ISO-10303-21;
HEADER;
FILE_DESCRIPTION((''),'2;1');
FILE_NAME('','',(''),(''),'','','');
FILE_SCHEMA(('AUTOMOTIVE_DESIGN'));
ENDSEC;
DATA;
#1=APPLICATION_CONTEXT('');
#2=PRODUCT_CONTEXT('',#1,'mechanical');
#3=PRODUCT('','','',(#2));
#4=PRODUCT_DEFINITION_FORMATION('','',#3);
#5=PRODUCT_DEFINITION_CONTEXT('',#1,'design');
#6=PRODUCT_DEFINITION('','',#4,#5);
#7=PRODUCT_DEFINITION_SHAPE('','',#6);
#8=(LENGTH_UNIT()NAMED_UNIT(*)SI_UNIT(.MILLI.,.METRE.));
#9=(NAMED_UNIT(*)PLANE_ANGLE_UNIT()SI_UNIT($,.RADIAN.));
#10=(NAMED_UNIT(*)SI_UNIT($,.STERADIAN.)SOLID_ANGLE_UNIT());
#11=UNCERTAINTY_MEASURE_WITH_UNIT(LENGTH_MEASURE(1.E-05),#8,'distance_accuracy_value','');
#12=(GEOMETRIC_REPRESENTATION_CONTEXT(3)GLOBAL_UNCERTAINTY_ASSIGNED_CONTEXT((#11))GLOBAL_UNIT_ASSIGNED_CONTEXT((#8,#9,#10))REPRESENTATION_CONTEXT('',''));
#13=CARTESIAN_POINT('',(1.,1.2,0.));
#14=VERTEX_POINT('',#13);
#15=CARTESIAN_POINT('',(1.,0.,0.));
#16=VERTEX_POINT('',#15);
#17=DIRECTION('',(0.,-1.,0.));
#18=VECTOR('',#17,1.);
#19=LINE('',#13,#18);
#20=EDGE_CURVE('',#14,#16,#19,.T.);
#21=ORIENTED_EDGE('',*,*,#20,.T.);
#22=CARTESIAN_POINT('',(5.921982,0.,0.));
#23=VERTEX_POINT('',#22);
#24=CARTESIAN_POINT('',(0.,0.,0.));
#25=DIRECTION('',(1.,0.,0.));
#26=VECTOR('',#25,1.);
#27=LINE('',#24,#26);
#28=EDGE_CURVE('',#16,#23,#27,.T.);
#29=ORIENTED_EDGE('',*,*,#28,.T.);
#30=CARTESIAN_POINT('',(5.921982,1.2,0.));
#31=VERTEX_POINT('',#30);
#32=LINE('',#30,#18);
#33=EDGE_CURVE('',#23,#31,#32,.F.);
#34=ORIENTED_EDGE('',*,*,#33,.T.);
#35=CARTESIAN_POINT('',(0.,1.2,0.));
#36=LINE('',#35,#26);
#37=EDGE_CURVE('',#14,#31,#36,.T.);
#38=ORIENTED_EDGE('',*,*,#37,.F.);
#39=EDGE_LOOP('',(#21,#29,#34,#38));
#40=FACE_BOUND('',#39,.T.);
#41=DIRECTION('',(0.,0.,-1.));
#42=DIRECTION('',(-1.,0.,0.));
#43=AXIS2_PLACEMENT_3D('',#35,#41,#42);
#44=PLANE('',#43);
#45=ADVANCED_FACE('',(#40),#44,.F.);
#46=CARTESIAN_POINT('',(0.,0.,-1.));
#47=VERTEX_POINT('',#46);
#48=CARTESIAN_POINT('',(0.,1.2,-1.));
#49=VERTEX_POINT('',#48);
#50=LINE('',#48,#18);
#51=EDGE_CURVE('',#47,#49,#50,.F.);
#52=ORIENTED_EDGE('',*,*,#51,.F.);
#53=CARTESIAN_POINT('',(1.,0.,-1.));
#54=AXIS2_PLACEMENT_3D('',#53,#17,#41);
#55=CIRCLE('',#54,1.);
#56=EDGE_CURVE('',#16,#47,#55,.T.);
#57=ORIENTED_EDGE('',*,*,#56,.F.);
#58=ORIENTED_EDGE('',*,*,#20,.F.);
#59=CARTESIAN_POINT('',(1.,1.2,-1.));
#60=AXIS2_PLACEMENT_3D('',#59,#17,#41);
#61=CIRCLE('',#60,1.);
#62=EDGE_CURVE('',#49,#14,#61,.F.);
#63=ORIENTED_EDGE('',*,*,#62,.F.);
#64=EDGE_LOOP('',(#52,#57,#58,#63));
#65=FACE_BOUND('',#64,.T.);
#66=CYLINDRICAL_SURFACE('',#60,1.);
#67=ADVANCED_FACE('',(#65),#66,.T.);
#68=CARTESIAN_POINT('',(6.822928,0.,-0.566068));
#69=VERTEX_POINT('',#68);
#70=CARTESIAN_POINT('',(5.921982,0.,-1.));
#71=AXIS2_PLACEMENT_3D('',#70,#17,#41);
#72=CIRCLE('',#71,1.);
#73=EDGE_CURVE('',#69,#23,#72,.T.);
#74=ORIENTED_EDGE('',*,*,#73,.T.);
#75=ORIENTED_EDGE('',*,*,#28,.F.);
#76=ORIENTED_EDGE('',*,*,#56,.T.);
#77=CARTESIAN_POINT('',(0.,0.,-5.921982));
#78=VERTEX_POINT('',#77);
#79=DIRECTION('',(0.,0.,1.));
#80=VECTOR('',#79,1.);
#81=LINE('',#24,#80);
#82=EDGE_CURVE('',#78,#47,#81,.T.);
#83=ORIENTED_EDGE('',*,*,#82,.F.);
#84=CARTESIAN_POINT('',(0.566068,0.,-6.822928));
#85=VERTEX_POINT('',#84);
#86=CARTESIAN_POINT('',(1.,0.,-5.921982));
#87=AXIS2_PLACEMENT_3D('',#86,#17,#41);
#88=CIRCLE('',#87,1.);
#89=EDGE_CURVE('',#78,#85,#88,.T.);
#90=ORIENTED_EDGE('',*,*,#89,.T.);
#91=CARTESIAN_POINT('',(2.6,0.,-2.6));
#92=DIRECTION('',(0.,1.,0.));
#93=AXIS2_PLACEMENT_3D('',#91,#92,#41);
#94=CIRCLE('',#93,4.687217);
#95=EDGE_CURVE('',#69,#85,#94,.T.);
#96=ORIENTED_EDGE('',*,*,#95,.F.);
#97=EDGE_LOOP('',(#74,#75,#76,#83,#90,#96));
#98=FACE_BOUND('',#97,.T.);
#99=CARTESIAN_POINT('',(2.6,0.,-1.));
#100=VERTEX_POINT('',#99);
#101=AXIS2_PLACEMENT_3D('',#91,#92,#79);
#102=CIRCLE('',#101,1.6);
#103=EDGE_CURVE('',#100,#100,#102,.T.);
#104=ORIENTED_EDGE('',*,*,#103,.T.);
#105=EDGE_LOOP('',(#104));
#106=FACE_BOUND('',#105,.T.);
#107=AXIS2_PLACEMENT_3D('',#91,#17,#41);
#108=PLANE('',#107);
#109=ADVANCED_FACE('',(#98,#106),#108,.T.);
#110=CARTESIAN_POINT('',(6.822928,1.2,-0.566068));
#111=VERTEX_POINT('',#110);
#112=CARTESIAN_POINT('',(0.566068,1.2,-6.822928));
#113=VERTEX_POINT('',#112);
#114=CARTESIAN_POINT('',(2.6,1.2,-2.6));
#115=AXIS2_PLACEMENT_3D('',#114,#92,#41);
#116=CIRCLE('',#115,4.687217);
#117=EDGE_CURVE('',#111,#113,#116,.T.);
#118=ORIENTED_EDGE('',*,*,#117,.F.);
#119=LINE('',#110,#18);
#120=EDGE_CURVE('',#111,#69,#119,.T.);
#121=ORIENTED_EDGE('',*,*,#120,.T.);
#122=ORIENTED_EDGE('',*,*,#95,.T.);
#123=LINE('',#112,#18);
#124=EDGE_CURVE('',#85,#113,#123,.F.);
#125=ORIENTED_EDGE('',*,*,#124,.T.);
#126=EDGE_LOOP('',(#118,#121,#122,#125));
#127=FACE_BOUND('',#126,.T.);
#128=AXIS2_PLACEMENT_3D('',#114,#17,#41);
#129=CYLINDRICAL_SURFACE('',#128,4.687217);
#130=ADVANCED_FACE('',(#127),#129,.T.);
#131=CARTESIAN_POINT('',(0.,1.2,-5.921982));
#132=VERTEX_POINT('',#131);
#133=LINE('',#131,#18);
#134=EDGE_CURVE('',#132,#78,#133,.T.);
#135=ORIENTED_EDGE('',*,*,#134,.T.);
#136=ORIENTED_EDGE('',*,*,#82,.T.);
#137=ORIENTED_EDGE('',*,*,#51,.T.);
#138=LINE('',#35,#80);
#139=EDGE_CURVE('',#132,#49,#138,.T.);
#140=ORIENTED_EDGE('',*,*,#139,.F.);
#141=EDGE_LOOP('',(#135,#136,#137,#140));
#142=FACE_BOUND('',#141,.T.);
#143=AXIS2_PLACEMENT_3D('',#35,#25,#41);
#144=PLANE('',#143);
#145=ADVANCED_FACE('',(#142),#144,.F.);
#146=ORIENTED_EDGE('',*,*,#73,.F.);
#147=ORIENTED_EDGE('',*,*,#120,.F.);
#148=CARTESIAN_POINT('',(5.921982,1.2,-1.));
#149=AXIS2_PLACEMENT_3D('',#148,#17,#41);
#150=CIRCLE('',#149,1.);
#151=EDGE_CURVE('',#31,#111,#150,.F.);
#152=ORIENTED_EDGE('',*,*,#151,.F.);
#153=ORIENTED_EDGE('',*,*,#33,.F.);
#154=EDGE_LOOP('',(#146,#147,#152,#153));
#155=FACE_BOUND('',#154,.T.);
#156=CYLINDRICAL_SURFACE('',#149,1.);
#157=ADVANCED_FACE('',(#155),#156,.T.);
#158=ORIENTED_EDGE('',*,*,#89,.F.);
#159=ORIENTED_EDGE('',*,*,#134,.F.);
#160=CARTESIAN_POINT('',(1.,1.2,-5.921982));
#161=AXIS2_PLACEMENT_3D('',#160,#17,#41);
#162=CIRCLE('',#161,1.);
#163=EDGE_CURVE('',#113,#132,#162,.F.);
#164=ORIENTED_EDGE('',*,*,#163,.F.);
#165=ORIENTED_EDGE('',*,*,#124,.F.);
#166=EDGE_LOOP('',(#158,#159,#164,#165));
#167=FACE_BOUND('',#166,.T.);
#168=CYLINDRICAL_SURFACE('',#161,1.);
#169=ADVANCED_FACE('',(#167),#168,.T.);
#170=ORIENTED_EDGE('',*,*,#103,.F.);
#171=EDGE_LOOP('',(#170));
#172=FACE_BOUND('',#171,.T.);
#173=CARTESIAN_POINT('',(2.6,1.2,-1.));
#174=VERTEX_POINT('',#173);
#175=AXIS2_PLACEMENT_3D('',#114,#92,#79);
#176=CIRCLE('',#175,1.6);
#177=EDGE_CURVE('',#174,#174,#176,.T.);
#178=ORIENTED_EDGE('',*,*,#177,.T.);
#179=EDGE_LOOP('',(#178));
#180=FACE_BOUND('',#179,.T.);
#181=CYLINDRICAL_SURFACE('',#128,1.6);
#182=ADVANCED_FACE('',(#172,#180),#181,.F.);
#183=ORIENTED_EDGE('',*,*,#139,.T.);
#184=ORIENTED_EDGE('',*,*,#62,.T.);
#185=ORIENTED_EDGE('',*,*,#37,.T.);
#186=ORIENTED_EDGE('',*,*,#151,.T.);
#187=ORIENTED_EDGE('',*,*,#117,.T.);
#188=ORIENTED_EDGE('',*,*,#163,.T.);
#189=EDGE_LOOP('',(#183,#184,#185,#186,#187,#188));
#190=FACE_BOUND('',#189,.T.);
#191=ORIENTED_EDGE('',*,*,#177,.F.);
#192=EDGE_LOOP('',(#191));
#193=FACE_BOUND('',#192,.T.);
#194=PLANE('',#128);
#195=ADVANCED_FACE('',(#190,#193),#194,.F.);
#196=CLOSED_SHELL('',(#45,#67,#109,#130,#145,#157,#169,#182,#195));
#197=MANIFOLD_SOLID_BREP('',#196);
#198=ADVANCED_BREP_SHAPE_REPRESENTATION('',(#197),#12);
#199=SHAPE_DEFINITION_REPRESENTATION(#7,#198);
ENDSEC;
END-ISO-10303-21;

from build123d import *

# Parameters (mm, degrees)
SKETCH1_R           = 1.6
BOSS_EXTRUDE1_DEPTH = 1.2
FILLET1_R           = 1


with BuildPart() as part:
    # Sketch1 → Boss-Extrude1 (new body)
    with BuildSketch(Plane(origin=(0, 0, 0), x_dir=(1, 0, 0), z_dir=(0, 1, 0))):
        with BuildLine():
            Line((0, 0), (6.5, 0))
            ThreePointArc((6.5, 0), (5.914362684, 5.914362684), (0, 6.5))
            Line((0, 6.5), (0, 0))
        make_face()
        with Locations(Location((2.6, 2.6, 0), (0, 0, 270))):
            Circle(SKETCH1_R, mode=Mode.SUBTRACT)
    extrude(amount=BOSS_EXTRUDE1_DEPTH)

    # Fillet1
    fillet1_edges = [part.edges().sort_by_distance(p)[0] for p in [
        (0, 0.6, -6.5),
        (6.5, 0.6, 0),
        (0, 0.6, 0),
    ]]
    fillet(fillet1_edges, radius=FILLET1_R)


solid = part.part
